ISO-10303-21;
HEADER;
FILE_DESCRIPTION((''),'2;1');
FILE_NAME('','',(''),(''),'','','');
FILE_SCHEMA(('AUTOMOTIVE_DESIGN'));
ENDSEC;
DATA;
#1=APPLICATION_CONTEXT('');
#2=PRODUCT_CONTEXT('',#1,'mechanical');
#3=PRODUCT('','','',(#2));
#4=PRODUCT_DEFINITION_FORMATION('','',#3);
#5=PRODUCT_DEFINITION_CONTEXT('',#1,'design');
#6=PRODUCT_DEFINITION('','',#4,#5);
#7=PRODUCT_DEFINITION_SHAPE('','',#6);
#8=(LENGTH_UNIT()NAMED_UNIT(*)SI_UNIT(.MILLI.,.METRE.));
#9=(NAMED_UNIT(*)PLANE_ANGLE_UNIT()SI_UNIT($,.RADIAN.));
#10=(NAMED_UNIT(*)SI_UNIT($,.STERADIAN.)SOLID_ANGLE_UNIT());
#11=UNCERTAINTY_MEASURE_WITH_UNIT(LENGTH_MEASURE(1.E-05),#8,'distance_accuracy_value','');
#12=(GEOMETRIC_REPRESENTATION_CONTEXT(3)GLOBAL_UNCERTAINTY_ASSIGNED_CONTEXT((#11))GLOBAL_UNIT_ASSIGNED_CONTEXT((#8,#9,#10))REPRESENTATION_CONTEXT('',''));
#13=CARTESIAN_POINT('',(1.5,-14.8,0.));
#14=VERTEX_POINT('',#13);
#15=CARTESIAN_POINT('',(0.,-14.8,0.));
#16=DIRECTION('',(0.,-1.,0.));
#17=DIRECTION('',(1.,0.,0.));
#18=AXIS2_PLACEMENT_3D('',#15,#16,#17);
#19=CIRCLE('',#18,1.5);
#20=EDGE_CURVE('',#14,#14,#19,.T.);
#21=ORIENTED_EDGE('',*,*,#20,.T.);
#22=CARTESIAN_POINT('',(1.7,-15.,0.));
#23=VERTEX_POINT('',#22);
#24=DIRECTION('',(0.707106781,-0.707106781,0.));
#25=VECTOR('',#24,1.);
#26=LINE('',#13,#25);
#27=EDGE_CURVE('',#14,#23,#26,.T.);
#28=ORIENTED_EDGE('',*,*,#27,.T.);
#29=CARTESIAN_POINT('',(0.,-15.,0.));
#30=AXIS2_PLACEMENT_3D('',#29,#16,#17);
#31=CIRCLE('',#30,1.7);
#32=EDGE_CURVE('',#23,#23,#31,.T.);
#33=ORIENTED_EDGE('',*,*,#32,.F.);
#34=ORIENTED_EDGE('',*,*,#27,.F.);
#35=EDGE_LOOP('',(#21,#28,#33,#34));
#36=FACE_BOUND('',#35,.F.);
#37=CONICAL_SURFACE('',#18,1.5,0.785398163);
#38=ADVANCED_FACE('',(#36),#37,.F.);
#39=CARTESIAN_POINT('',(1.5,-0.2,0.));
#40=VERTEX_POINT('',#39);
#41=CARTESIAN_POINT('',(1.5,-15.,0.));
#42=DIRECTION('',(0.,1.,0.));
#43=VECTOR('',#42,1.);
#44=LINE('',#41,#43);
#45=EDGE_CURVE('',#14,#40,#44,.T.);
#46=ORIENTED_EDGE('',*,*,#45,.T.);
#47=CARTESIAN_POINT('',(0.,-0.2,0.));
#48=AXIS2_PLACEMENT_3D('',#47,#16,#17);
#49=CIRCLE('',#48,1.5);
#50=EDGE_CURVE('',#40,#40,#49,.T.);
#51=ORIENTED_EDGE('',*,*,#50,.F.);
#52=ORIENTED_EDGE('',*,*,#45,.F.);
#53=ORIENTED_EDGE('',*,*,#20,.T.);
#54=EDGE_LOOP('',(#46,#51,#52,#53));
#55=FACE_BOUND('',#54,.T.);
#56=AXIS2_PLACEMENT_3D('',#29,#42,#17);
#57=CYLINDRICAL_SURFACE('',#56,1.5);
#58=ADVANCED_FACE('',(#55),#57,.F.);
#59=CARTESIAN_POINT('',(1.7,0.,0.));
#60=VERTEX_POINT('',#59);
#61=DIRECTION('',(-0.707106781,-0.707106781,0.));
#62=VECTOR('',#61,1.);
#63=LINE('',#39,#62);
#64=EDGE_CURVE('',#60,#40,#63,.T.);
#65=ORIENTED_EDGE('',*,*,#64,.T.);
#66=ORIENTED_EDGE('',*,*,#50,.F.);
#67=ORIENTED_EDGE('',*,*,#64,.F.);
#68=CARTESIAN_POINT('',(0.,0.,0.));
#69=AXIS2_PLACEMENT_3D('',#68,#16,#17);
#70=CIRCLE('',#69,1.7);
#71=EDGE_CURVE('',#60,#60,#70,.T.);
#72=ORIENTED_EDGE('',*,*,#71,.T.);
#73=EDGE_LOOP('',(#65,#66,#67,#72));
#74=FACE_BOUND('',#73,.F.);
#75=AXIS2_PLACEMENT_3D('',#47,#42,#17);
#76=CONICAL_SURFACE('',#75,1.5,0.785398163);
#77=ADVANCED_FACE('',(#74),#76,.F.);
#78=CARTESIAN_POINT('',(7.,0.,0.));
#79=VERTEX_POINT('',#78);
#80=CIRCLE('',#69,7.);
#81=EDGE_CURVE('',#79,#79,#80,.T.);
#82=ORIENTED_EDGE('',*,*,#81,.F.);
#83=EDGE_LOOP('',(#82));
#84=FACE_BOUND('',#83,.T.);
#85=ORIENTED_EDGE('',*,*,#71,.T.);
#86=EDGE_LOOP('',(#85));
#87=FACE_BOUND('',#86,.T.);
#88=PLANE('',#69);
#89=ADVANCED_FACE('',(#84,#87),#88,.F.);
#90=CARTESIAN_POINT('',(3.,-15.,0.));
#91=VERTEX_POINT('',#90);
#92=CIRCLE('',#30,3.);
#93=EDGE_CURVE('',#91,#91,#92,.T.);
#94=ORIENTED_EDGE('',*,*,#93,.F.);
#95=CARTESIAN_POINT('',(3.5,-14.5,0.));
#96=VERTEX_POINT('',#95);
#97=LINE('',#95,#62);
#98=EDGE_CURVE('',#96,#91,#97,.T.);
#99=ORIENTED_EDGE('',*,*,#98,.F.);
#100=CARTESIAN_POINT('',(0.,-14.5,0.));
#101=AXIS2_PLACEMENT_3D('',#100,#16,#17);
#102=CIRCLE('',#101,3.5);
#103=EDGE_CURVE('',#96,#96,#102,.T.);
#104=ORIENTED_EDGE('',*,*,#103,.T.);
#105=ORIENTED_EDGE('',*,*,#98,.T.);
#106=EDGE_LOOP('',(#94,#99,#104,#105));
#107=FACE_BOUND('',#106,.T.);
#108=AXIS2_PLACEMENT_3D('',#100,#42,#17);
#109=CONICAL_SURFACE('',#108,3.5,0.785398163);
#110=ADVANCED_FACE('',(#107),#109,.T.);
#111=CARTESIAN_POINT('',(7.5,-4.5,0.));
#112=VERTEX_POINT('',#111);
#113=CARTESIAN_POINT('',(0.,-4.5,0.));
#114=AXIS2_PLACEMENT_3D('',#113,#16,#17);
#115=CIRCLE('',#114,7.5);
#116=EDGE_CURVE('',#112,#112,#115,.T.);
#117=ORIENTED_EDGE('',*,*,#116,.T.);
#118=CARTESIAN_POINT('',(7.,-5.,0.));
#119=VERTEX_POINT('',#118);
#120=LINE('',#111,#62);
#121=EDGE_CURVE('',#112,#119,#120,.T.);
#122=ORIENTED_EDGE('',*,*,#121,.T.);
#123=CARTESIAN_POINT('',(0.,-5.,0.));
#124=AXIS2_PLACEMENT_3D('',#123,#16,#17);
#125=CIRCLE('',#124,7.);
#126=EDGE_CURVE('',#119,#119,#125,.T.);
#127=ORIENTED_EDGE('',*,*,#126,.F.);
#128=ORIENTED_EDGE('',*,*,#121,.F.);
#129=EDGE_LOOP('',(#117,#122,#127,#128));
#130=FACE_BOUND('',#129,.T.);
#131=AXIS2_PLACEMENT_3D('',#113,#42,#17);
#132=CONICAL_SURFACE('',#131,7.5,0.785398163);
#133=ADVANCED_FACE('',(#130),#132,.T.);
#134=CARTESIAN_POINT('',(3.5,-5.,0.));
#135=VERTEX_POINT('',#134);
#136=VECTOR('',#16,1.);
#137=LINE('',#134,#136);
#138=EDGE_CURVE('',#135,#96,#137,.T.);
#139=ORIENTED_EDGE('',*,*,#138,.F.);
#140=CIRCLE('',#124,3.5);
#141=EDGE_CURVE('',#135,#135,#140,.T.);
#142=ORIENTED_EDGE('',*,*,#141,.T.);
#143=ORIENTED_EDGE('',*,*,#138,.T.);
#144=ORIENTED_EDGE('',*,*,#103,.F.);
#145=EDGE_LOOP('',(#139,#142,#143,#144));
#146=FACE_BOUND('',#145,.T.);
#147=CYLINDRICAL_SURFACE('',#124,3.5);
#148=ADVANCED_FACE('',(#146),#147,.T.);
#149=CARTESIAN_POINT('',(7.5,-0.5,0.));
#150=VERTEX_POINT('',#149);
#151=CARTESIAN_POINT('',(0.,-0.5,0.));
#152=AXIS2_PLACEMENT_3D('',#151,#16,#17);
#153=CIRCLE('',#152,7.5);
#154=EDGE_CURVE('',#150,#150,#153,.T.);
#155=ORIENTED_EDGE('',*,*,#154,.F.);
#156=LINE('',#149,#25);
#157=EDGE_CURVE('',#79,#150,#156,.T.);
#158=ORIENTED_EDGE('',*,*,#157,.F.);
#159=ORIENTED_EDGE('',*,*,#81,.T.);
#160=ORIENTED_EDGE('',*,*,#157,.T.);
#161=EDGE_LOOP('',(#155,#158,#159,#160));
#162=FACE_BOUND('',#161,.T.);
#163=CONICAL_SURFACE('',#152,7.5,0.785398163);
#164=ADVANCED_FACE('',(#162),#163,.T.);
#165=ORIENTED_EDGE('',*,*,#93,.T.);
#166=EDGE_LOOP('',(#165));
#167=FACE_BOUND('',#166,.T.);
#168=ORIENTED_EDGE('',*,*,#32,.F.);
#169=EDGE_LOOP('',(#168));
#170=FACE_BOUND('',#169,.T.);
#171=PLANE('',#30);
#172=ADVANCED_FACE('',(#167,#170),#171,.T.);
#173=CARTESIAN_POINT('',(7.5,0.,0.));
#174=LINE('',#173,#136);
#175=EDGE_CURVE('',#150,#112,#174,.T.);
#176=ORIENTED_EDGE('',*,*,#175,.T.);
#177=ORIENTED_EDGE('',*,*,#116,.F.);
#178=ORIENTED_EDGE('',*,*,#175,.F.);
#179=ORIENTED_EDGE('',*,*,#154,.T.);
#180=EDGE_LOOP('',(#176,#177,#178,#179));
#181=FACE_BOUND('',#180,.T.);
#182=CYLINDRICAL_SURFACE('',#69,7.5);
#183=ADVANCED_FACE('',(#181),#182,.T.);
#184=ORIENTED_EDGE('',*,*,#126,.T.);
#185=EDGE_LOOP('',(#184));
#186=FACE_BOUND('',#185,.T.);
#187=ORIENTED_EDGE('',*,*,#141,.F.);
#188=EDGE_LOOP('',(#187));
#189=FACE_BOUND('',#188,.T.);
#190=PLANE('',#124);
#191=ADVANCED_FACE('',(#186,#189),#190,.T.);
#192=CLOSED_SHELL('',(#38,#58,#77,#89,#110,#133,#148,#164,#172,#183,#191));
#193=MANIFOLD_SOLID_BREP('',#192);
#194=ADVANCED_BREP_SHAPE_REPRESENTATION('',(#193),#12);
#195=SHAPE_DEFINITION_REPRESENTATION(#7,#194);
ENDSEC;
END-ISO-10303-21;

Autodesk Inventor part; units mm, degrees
ref_plane "YZ Plane" through (0, 0, 0) normal (1, 0, 0) x (0, 1, 0)
ref_plane "XZ Plane" through (0, 0, 0) normal (0, 1, 0) x (-1, 0, 0)
ref_plane "XY Plane" through (0, 0, 0) normal (0, 0, 1) x (1, 0, 0)
sketch "Sketch1" plane through (0, 0, 0) normal (0, 0, 1) x (1, 0, 0)
  line L0 (0, 0) -> (0, -15) construction
  line L1 (1.5, 0) -> (7.5, 0)
  line L2 (7.5, 0) -> (7.5, -5)
  line L3 (7.5, -5) -> (3.5, -5)
  line L4 (3.5, -5) -> (3.5, -15)
  line L5 (3.5, -15) -> (1.5, -15)
  line L6 (1.5, -15) -> (1.5, 0)
  dimension "d0" = 1.5
  dimension "d1" = 7.5
  dimension "d2" = 5
  dimension "d3" = 10
  dimension "Length" = 15
  dimension "d5" = 3.5
revolve "Revolution1" add sketch "Sketch1" angle 360 about axis through (0, 0, 0) along (0, -1, 0)
chamfer "Chamfer1" distance 0.5 angle 45 3 edges at (-7.5, 0, 0) (-7.5, -5, 0) (-3.5, -15, 0)
chamfer "Chamfer2" distance 0.2 angle 45 2 edges at (-1.5, 0, 0) (-1.5, -15, 0)
equation "\"Diameter\" = 15"
properties part number "Bush" material "Bronze, Soft Tin"
